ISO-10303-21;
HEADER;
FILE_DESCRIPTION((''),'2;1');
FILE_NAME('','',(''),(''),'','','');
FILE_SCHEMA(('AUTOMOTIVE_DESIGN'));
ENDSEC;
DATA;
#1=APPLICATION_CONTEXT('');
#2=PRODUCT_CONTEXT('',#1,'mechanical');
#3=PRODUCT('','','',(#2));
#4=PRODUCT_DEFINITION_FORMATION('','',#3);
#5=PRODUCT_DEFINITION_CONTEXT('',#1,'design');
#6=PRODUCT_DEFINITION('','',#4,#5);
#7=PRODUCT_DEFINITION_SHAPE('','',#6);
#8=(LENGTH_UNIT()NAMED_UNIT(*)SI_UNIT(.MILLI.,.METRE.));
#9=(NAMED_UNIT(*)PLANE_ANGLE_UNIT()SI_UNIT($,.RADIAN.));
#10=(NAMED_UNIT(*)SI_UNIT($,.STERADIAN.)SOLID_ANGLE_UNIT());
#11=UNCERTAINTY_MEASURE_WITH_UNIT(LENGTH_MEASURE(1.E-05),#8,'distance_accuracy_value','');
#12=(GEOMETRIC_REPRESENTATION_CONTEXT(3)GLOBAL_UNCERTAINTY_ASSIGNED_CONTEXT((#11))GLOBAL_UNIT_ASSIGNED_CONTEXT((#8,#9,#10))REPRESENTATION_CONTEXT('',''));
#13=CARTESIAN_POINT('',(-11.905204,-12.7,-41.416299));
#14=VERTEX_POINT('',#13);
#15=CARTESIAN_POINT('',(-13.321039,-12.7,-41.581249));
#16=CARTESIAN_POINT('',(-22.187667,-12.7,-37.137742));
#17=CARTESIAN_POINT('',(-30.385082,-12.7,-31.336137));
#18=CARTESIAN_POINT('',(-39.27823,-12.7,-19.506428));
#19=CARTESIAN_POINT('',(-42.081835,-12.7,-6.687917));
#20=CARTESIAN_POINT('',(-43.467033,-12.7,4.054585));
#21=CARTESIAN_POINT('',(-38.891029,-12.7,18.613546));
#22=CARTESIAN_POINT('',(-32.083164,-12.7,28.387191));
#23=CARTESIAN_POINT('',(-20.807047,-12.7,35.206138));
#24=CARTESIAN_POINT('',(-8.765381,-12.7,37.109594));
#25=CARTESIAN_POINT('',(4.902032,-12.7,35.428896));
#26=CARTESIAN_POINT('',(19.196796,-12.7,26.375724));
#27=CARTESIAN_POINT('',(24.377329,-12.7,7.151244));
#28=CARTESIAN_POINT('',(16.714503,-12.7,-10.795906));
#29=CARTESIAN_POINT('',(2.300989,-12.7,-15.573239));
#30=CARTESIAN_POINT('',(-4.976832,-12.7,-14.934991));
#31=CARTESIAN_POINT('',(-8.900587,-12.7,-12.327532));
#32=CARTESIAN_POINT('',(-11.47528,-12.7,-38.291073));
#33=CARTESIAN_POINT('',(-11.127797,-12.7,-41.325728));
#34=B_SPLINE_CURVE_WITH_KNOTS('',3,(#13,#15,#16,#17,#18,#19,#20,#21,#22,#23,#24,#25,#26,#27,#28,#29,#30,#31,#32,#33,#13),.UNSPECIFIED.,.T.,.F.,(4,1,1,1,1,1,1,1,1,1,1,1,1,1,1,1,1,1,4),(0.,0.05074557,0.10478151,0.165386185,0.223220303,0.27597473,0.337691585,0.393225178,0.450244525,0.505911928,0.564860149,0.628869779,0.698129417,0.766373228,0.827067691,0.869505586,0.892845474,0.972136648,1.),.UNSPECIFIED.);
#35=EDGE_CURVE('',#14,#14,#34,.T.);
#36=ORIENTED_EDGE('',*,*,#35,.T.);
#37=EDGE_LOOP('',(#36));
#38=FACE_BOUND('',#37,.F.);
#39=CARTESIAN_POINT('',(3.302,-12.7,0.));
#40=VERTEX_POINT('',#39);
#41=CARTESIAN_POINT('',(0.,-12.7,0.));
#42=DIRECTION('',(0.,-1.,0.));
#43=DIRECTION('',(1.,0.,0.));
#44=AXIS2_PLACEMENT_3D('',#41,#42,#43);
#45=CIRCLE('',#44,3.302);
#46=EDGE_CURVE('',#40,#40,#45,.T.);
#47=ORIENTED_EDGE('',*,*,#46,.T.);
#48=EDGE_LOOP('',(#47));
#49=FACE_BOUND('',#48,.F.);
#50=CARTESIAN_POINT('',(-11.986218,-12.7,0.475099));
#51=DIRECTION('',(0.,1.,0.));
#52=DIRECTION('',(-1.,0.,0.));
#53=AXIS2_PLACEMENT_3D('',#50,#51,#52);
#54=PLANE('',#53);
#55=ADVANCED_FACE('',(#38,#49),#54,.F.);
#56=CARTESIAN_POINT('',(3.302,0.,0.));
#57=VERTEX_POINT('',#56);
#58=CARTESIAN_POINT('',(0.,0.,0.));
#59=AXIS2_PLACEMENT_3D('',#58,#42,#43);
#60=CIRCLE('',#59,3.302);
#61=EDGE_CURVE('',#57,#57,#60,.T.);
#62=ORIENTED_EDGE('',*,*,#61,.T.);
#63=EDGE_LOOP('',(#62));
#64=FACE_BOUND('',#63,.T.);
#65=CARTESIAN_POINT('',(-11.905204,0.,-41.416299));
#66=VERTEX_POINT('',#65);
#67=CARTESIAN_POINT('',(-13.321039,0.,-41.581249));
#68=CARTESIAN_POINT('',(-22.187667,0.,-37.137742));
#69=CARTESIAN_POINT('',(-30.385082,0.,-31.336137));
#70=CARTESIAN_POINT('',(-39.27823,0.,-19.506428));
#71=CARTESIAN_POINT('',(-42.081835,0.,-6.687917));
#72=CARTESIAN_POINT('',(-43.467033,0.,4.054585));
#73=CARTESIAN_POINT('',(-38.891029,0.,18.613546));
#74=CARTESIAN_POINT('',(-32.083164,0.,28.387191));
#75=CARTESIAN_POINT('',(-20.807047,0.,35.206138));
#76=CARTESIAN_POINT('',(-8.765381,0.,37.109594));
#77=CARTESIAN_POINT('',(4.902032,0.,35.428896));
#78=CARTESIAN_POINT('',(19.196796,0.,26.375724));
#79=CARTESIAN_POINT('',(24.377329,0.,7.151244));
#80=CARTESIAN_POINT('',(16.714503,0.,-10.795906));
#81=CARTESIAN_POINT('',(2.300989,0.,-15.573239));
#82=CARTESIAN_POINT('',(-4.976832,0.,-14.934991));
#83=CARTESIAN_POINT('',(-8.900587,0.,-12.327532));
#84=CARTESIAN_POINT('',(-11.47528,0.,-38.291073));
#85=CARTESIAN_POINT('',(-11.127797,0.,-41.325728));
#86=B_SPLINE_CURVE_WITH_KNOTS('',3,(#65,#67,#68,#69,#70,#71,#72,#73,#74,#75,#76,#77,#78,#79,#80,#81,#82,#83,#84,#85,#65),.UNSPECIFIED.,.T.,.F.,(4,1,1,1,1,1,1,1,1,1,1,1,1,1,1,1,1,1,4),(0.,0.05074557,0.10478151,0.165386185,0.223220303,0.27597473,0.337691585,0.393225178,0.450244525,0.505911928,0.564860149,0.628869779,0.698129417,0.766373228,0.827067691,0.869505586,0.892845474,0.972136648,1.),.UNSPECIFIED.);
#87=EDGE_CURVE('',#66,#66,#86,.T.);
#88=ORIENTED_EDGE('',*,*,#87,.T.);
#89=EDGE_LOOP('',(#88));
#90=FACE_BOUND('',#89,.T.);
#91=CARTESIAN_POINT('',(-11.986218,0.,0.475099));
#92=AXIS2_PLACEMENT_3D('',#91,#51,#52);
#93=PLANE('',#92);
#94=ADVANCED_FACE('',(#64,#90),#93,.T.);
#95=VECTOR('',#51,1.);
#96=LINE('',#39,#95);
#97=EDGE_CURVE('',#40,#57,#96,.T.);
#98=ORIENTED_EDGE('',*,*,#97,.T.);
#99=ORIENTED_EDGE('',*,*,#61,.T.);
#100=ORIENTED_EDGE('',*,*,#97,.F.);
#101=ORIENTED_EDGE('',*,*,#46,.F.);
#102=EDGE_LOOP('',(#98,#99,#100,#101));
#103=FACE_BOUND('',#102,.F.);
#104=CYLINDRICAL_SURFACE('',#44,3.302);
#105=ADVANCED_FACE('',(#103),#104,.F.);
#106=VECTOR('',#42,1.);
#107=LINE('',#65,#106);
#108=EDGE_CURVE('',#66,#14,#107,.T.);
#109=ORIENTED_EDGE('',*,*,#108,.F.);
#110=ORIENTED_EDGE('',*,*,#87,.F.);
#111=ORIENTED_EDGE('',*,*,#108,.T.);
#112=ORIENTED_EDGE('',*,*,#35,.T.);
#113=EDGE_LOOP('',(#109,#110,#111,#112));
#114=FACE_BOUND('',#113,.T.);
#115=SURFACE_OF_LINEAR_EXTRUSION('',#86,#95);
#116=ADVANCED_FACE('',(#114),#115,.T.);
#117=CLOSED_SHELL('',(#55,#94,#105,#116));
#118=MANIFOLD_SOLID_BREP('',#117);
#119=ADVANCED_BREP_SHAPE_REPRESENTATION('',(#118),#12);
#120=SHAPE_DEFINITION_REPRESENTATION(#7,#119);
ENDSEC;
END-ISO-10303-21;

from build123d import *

# Parameters (mm, degrees)
F1_DEPTH = 12.7
F2_R     = 3.302
F3_DEPTH = 25.4


with BuildPart() as f1:
    # F0 (on Front) → F1 (new body)
    with BuildSketch(Plane.XZ):
        with BuildLine():
            add(Edge.make_bspline(
                [(-11.9052035734, -41.4162985981), (-13.3210393621, -41.5812491519), (-22.1876670174, -37.1377424353), (-30.3850818379, -31.336137276), (-39.2782300932, -19.5064282069), (-42.0818353419, -6.6879166065), (-43.4670333161, 4.0545849723), (-38.8910288641, 18.6135460619), (-32.0831637179, 28.3871906861), (-20.8070472352, 35.2061376246), (-8.7653808333, 37.109593737), (4.902031605, 35.4288964493), (19.1967961908, 26.375724295), (24.3773287346, 7.1512440834), (16.7145026546, -10.7959063435), (2.3009894241, -15.57323886), (-4.9768321365, -14.934991123), (-8.9005873278, -12.3275317848), (-11.4752804924, -38.2910733682), (-11.1277971752, -41.3257276314), (-11.9052035734, -41.4162985981)],
                knots=[0, 0, 0, 0, 0.0507455699, 0.1047815099, 0.1653861848, 0.2232203034, 0.2759747297, 0.3376915849, 0.3932251781, 0.4502445254, 0.5059119277, 0.5648601493, 0.6288697788, 0.6981294167, 0.7663732277, 0.8270676911, 0.8695055864, 0.8928454743, 0.9721366482, 1, 1, 1, 1], degree=3))
        make_face()
    extrude(amount=F1_DEPTH)

    # F2 (on face) → F3 (cut)
    with BuildSketch(Plane.XZ.offset(12.7)):
        Circle(F2_R)
    extrude(amount=-F3_DEPTH, mode=Mode.SUBTRACT)


solid = f1.part
